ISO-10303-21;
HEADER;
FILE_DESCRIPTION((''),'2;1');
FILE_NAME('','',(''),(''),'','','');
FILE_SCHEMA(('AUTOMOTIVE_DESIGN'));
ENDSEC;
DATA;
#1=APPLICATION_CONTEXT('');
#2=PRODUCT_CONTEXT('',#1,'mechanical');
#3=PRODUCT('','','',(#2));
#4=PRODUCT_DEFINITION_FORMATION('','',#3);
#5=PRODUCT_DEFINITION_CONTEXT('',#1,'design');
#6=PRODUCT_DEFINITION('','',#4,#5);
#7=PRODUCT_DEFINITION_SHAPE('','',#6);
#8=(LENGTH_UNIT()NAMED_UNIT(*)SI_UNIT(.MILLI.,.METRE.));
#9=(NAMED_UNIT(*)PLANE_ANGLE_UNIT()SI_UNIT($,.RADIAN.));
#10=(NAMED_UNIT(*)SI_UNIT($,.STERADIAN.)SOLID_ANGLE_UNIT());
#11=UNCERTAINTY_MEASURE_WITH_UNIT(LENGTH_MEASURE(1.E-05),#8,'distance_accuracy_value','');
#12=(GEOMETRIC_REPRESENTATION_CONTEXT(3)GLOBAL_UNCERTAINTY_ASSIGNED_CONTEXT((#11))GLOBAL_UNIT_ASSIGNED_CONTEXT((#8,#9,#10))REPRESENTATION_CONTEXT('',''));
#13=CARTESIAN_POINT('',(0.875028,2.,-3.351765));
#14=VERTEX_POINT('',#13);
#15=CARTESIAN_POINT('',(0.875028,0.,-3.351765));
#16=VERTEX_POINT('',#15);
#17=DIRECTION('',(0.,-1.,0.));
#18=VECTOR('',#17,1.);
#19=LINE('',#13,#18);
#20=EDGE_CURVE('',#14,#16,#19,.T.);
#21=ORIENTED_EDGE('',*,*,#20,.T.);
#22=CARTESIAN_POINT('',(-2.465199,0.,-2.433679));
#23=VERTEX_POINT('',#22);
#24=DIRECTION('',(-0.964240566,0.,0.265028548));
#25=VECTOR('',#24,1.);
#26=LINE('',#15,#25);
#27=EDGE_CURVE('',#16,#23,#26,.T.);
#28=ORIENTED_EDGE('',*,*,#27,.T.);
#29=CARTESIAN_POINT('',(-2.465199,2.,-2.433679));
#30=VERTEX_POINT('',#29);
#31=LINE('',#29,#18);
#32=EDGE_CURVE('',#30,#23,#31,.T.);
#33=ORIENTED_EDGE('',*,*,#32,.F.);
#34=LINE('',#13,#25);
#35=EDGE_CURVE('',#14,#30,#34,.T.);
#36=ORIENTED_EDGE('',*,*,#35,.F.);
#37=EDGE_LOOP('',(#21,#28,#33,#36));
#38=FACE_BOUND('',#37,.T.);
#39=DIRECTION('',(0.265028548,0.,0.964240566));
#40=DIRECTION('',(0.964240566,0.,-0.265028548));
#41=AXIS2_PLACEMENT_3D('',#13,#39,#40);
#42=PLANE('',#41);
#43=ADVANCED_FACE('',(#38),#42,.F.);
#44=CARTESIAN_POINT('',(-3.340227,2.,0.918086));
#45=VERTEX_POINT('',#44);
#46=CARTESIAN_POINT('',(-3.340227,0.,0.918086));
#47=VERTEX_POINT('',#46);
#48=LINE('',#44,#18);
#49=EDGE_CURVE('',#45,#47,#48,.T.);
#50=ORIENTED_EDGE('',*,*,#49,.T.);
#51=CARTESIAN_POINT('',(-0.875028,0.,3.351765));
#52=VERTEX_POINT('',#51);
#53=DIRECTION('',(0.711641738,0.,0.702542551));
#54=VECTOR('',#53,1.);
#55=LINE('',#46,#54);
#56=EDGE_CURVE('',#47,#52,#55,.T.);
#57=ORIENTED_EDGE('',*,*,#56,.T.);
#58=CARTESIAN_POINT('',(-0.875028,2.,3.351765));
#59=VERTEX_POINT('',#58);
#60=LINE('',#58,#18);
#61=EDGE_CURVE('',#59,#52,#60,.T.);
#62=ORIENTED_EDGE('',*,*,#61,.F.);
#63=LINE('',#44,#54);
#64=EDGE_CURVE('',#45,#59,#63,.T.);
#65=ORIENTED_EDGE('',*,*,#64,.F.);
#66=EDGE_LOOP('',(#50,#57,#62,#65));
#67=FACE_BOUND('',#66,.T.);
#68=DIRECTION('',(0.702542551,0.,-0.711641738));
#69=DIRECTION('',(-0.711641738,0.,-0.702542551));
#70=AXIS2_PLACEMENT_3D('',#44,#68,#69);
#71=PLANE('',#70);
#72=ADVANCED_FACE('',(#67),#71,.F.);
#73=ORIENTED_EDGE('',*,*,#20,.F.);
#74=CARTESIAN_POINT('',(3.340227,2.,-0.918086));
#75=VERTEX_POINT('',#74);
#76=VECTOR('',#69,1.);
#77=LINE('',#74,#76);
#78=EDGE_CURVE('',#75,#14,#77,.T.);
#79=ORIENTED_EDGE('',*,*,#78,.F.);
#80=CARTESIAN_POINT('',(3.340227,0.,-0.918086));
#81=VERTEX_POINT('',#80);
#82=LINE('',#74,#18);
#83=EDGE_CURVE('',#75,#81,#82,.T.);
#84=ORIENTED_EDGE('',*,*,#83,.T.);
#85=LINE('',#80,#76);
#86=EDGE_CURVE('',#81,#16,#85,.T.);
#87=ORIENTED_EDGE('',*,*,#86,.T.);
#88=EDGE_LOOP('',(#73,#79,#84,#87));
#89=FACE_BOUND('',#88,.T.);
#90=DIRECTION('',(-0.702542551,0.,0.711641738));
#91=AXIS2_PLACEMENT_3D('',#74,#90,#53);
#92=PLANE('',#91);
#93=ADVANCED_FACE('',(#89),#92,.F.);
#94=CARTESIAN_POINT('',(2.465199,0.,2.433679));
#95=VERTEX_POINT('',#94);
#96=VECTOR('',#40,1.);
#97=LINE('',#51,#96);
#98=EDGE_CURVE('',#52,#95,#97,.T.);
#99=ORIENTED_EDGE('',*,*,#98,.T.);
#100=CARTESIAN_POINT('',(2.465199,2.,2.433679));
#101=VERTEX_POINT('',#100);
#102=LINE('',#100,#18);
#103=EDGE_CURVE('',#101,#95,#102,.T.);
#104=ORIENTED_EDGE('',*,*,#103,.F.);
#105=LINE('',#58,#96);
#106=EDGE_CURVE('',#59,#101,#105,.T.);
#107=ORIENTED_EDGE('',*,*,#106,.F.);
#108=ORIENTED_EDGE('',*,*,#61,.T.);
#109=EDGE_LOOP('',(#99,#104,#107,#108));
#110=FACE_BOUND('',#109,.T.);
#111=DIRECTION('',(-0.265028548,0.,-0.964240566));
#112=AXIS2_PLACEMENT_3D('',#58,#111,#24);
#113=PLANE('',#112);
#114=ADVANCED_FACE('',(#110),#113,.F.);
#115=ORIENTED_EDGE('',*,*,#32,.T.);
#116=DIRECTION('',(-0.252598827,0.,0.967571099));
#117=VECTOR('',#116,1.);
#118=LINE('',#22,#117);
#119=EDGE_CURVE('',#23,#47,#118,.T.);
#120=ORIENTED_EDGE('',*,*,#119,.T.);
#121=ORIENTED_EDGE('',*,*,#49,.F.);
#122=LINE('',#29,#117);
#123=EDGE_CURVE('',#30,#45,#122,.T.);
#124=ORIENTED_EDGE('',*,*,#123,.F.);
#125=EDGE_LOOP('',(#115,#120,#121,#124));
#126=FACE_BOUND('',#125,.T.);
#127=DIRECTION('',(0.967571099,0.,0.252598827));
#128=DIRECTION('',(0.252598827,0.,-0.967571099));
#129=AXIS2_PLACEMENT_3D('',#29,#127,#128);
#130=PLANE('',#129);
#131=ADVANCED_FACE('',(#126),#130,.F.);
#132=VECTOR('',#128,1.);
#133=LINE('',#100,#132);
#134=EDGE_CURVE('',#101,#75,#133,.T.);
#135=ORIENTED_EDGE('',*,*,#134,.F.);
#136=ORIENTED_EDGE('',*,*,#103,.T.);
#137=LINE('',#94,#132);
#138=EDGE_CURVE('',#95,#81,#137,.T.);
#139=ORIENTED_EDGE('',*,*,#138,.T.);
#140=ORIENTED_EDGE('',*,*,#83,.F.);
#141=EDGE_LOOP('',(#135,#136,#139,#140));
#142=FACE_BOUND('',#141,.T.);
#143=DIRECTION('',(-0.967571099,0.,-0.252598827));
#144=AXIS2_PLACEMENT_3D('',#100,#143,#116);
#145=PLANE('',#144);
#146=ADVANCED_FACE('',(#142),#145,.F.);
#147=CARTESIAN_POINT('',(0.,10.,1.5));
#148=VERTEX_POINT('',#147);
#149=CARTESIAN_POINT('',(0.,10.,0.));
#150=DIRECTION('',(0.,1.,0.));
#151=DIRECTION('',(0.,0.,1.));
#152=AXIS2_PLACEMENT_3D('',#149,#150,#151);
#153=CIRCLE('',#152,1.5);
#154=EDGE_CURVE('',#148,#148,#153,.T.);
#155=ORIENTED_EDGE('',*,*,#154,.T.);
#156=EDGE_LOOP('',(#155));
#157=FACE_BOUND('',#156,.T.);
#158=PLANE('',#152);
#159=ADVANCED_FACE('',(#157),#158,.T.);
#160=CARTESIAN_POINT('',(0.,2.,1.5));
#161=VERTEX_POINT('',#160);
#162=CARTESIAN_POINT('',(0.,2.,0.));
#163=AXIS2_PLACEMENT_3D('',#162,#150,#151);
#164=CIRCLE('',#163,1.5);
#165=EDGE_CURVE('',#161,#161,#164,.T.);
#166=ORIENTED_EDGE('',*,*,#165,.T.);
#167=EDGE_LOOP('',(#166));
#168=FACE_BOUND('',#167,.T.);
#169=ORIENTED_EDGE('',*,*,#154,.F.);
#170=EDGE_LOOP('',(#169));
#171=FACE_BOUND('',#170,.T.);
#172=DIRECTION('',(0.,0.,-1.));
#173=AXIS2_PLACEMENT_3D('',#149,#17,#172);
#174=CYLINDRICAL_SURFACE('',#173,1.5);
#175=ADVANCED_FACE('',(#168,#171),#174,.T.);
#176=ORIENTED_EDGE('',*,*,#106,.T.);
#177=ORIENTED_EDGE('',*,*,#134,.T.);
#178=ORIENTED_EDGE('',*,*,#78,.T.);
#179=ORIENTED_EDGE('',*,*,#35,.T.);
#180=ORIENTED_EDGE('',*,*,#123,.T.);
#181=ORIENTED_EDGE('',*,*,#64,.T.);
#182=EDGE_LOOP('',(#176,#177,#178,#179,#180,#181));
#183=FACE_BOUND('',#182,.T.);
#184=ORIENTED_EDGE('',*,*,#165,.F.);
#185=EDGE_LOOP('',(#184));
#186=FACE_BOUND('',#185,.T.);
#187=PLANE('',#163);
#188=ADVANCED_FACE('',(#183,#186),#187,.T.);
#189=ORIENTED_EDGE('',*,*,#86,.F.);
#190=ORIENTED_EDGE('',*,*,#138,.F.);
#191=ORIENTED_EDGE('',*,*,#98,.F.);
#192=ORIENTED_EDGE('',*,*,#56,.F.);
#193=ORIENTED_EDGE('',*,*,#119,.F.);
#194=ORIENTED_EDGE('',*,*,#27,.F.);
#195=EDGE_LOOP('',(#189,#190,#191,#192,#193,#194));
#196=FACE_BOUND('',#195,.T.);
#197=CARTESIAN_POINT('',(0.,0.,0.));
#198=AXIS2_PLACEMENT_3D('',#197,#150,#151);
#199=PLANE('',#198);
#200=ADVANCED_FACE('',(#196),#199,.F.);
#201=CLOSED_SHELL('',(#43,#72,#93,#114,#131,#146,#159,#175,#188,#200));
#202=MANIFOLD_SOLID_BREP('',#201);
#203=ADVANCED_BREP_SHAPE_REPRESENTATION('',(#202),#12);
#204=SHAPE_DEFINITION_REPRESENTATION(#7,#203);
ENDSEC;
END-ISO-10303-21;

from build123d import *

# Parameters (mm, degrees)
BOSS_EXTRUDE1_DEPTH = 2
SKETCH2_R           = 1.5
BOSS_EXTRUDE2_DEPTH = 8


with BuildPart() as part:
    # Sketch1 → Boss-Extrude1 (new body)
    with BuildSketch(Plane(origin=(0, 0, 0), x_dir=(1, 0, 0), z_dir=(0, 1, 0))):
        Polygon((2.465199296, -2.433678786), (3.340227301, 0.918085822), (0.875028005, 3.351764608), (-2.465199296, 2.433678786), (-3.340227301, -0.918085822), (-0.875028005, -3.351764608), align=None)
    extrude(amount=BOSS_EXTRUDE1_DEPTH)

    # Sketch2 → Boss-Extrude2 (add)
    with BuildSketch(Plane(origin=(0, 2, 0), x_dir=(1, 0, 0), z_dir=(0, 1, 0))):
        Circle(SKETCH2_R)
    extrude(amount=BOSS_EXTRUDE2_DEPTH)


solid = part.part
